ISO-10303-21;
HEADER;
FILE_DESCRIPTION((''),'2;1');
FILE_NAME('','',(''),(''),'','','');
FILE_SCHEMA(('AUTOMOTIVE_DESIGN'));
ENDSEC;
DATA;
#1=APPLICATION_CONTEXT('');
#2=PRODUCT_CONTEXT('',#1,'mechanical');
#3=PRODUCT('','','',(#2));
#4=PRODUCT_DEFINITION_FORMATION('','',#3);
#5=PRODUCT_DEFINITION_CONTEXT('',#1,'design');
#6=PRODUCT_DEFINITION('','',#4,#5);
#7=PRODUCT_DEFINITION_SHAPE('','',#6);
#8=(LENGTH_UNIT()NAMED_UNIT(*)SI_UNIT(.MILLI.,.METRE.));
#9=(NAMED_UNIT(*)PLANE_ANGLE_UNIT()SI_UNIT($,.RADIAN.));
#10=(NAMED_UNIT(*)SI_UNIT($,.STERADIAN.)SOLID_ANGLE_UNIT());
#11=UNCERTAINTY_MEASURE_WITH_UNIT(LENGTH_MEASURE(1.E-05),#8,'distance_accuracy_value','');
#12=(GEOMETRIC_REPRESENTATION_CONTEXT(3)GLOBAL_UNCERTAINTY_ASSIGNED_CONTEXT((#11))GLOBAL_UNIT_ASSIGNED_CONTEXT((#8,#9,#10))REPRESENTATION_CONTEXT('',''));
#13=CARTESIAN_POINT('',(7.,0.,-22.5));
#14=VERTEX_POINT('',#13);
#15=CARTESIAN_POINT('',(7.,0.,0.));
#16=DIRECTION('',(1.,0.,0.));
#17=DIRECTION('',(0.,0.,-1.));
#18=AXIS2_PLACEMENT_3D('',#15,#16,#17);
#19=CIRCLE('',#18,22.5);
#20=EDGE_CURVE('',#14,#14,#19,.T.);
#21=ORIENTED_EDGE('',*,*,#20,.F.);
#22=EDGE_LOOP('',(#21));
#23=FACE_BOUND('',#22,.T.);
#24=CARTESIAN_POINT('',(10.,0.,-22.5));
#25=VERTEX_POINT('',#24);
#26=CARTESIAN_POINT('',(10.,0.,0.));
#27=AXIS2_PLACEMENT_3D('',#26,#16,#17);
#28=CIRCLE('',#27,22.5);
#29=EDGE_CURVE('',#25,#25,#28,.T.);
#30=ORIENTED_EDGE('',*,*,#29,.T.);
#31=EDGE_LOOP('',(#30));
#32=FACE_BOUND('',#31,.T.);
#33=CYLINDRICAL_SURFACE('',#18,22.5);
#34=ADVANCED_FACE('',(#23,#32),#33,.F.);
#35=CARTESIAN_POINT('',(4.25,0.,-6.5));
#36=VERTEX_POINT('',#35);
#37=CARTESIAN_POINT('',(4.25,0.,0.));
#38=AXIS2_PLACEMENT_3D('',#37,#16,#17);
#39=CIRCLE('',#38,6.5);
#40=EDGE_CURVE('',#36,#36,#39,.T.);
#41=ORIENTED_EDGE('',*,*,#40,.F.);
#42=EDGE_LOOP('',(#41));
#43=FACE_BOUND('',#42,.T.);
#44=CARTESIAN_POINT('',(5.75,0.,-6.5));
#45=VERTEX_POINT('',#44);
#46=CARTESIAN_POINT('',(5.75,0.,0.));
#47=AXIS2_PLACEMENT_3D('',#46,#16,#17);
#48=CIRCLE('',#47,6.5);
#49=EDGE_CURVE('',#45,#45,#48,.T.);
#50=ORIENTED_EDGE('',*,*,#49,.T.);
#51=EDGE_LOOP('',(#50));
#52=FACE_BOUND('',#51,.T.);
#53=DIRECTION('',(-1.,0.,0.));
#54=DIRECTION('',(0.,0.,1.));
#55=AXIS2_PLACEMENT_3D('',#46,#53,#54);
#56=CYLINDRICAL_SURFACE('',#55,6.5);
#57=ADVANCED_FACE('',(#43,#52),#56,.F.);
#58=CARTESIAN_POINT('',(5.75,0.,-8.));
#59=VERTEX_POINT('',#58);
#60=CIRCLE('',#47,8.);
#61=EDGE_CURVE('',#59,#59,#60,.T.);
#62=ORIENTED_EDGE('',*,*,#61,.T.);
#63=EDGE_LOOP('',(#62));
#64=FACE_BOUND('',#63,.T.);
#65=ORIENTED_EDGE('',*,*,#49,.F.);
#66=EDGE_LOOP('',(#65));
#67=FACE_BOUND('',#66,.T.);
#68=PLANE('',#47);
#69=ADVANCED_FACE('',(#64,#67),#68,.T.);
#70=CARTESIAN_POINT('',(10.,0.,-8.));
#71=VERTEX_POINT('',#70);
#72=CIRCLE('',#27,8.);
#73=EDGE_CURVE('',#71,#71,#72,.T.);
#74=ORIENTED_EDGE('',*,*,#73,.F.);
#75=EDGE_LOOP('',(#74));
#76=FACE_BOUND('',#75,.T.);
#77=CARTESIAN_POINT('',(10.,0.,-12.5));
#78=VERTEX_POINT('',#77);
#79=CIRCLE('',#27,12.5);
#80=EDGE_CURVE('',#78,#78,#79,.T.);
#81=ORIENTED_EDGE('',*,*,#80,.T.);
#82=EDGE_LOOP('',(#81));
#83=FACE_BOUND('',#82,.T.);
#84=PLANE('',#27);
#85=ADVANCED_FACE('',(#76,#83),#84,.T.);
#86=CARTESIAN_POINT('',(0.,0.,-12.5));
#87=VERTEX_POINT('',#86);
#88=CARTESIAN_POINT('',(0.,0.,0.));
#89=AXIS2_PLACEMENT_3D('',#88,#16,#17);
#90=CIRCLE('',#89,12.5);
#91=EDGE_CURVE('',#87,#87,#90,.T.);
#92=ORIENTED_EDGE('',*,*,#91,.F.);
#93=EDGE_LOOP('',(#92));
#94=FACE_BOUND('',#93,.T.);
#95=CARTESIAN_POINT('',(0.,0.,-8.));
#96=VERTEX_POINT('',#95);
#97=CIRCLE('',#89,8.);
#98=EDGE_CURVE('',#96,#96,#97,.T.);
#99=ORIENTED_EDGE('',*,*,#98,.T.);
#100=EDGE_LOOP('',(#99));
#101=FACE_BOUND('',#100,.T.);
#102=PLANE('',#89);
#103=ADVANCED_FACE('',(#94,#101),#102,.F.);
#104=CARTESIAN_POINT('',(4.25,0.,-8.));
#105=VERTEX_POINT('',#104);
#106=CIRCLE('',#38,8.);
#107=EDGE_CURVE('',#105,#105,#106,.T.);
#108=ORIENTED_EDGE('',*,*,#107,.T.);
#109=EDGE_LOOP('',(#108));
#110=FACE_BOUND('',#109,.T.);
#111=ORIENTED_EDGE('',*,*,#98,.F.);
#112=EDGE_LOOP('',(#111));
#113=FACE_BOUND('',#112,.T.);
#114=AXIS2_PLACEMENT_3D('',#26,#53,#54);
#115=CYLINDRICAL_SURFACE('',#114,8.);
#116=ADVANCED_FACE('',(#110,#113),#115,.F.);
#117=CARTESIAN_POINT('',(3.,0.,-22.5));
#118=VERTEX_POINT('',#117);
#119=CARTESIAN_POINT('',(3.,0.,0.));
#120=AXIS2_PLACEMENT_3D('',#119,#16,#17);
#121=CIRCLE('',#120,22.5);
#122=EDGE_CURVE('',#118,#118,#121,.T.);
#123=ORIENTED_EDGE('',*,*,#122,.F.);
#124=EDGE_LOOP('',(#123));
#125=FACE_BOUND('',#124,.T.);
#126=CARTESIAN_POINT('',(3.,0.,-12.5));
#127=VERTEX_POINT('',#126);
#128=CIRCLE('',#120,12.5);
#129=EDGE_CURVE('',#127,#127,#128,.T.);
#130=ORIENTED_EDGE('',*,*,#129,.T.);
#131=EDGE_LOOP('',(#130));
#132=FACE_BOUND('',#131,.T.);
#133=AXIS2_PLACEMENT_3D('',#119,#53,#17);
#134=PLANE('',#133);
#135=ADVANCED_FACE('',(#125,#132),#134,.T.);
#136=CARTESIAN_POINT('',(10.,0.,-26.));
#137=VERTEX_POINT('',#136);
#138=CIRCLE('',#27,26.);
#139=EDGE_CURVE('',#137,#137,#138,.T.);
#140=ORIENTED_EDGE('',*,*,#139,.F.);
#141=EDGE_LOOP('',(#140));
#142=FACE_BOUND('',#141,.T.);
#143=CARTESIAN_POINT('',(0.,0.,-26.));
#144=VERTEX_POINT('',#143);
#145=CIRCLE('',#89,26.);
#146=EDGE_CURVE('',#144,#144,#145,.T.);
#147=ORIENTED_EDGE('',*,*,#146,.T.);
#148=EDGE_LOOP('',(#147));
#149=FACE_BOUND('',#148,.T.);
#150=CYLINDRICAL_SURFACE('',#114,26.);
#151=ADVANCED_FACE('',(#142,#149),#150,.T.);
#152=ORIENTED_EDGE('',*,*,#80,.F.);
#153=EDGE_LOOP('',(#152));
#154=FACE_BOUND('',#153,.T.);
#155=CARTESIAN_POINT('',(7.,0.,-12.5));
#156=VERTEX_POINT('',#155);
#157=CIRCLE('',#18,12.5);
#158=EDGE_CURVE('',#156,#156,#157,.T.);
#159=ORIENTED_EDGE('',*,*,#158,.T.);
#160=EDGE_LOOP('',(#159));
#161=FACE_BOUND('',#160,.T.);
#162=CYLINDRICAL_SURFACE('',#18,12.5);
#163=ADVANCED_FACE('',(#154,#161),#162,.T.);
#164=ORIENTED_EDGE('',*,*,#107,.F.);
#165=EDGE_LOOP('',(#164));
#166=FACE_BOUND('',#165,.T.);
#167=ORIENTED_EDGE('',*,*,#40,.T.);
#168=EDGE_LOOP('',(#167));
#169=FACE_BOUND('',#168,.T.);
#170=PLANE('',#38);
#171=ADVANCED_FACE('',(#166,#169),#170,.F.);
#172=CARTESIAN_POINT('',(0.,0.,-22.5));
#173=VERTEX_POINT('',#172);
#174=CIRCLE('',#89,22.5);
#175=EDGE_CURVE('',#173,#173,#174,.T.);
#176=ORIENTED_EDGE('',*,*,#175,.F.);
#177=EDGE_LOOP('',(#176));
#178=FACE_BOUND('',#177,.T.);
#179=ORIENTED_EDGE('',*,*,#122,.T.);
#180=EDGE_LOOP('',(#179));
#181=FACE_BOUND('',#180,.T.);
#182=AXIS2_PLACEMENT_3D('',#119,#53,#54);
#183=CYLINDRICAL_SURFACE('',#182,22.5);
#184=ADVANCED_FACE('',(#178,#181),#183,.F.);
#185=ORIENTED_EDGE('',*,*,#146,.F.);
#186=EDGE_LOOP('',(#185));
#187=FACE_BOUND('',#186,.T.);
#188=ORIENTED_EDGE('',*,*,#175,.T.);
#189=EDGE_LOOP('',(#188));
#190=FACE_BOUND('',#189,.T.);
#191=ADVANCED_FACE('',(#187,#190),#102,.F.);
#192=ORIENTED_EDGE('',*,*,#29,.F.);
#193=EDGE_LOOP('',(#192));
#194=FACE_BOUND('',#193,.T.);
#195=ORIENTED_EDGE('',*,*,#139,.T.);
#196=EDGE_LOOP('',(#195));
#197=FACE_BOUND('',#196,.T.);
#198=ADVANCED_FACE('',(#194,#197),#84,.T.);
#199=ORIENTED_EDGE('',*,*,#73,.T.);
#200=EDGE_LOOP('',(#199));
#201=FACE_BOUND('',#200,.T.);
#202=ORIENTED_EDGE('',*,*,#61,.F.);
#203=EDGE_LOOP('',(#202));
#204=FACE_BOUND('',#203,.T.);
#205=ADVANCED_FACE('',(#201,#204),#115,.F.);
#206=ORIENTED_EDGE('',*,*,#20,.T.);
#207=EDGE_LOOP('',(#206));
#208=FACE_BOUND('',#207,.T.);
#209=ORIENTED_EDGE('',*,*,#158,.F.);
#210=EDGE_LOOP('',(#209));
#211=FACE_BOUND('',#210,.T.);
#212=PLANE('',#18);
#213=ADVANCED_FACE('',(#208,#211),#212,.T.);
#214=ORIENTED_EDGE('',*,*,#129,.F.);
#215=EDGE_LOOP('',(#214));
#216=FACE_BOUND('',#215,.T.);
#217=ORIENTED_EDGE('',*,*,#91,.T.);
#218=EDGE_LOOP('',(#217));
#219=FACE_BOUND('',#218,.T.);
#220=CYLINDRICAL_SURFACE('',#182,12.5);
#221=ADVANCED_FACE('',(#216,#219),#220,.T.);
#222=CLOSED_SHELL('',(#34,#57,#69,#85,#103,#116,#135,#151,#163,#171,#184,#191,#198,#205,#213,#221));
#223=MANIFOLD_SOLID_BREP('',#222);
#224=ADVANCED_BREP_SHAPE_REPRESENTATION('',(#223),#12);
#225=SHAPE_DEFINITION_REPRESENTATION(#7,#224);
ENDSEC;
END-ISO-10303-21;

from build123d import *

# Parameters (mm, degrees)
SKETCH1_R           = 26
SKETCH1_R_2         = 8
BOSS_EXTRUDE1_DEPTH = 10
SKETCH2_R           = 8
SKETCH2_R_2         = 6.5
BOSS_EXTRUDE2_DEPTH = 0.75
SKETCH3_R           = 22.5
SKETCH3_R_2         = 12.5
CUT_EXTRUDE1_DEPTH  = 3


with BuildPart() as part:
    # Sketch1 → Boss-Extrude1 (new body)
    with BuildSketch(Plane(origin=(0, 0, 0), x_dir=(0, 0, -1), z_dir=(1, 0, 0))):
        Circle(SKETCH1_R)
        Circle(SKETCH1_R_2, mode=Mode.SUBTRACT)
    extrude(amount=BOSS_EXTRUDE1_DEPTH)

    # Sketch2 → Boss-Extrude2 (add, symmetric)
    with BuildSketch(Plane(origin=(5, 0, 0), x_dir=(0, 0, -1), z_dir=(1, 0, 0))):
        Circle(SKETCH2_R)
        Circle(SKETCH2_R_2, mode=Mode.SUBTRACT)
    extrude(amount=BOSS_EXTRUDE2_DEPTH, both=True)

    # Sketch3 → Cut-Extrude1 (cut)
    with BuildSketch(Plane(origin=(10, 0, 0), x_dir=(0, 0, -1), z_dir=(1, 0, 0))):
        Circle(SKETCH3_R)
        Circle(SKETCH3_R_2, mode=Mode.SUBTRACT)
    cut_extrude1 = extrude(amount=-CUT_EXTRUDE1_DEPTH, mode=Mode.SUBTRACT)

    # Mirror1: Cut-Extrude1 across plane
    add(cut_extrude1.mirror(Plane(origin=(5, 0, 0), x_dir=(0, 0, 1), z_dir=(1, 0, 0))), mode=Mode.SUBTRACT)


solid = part.part
